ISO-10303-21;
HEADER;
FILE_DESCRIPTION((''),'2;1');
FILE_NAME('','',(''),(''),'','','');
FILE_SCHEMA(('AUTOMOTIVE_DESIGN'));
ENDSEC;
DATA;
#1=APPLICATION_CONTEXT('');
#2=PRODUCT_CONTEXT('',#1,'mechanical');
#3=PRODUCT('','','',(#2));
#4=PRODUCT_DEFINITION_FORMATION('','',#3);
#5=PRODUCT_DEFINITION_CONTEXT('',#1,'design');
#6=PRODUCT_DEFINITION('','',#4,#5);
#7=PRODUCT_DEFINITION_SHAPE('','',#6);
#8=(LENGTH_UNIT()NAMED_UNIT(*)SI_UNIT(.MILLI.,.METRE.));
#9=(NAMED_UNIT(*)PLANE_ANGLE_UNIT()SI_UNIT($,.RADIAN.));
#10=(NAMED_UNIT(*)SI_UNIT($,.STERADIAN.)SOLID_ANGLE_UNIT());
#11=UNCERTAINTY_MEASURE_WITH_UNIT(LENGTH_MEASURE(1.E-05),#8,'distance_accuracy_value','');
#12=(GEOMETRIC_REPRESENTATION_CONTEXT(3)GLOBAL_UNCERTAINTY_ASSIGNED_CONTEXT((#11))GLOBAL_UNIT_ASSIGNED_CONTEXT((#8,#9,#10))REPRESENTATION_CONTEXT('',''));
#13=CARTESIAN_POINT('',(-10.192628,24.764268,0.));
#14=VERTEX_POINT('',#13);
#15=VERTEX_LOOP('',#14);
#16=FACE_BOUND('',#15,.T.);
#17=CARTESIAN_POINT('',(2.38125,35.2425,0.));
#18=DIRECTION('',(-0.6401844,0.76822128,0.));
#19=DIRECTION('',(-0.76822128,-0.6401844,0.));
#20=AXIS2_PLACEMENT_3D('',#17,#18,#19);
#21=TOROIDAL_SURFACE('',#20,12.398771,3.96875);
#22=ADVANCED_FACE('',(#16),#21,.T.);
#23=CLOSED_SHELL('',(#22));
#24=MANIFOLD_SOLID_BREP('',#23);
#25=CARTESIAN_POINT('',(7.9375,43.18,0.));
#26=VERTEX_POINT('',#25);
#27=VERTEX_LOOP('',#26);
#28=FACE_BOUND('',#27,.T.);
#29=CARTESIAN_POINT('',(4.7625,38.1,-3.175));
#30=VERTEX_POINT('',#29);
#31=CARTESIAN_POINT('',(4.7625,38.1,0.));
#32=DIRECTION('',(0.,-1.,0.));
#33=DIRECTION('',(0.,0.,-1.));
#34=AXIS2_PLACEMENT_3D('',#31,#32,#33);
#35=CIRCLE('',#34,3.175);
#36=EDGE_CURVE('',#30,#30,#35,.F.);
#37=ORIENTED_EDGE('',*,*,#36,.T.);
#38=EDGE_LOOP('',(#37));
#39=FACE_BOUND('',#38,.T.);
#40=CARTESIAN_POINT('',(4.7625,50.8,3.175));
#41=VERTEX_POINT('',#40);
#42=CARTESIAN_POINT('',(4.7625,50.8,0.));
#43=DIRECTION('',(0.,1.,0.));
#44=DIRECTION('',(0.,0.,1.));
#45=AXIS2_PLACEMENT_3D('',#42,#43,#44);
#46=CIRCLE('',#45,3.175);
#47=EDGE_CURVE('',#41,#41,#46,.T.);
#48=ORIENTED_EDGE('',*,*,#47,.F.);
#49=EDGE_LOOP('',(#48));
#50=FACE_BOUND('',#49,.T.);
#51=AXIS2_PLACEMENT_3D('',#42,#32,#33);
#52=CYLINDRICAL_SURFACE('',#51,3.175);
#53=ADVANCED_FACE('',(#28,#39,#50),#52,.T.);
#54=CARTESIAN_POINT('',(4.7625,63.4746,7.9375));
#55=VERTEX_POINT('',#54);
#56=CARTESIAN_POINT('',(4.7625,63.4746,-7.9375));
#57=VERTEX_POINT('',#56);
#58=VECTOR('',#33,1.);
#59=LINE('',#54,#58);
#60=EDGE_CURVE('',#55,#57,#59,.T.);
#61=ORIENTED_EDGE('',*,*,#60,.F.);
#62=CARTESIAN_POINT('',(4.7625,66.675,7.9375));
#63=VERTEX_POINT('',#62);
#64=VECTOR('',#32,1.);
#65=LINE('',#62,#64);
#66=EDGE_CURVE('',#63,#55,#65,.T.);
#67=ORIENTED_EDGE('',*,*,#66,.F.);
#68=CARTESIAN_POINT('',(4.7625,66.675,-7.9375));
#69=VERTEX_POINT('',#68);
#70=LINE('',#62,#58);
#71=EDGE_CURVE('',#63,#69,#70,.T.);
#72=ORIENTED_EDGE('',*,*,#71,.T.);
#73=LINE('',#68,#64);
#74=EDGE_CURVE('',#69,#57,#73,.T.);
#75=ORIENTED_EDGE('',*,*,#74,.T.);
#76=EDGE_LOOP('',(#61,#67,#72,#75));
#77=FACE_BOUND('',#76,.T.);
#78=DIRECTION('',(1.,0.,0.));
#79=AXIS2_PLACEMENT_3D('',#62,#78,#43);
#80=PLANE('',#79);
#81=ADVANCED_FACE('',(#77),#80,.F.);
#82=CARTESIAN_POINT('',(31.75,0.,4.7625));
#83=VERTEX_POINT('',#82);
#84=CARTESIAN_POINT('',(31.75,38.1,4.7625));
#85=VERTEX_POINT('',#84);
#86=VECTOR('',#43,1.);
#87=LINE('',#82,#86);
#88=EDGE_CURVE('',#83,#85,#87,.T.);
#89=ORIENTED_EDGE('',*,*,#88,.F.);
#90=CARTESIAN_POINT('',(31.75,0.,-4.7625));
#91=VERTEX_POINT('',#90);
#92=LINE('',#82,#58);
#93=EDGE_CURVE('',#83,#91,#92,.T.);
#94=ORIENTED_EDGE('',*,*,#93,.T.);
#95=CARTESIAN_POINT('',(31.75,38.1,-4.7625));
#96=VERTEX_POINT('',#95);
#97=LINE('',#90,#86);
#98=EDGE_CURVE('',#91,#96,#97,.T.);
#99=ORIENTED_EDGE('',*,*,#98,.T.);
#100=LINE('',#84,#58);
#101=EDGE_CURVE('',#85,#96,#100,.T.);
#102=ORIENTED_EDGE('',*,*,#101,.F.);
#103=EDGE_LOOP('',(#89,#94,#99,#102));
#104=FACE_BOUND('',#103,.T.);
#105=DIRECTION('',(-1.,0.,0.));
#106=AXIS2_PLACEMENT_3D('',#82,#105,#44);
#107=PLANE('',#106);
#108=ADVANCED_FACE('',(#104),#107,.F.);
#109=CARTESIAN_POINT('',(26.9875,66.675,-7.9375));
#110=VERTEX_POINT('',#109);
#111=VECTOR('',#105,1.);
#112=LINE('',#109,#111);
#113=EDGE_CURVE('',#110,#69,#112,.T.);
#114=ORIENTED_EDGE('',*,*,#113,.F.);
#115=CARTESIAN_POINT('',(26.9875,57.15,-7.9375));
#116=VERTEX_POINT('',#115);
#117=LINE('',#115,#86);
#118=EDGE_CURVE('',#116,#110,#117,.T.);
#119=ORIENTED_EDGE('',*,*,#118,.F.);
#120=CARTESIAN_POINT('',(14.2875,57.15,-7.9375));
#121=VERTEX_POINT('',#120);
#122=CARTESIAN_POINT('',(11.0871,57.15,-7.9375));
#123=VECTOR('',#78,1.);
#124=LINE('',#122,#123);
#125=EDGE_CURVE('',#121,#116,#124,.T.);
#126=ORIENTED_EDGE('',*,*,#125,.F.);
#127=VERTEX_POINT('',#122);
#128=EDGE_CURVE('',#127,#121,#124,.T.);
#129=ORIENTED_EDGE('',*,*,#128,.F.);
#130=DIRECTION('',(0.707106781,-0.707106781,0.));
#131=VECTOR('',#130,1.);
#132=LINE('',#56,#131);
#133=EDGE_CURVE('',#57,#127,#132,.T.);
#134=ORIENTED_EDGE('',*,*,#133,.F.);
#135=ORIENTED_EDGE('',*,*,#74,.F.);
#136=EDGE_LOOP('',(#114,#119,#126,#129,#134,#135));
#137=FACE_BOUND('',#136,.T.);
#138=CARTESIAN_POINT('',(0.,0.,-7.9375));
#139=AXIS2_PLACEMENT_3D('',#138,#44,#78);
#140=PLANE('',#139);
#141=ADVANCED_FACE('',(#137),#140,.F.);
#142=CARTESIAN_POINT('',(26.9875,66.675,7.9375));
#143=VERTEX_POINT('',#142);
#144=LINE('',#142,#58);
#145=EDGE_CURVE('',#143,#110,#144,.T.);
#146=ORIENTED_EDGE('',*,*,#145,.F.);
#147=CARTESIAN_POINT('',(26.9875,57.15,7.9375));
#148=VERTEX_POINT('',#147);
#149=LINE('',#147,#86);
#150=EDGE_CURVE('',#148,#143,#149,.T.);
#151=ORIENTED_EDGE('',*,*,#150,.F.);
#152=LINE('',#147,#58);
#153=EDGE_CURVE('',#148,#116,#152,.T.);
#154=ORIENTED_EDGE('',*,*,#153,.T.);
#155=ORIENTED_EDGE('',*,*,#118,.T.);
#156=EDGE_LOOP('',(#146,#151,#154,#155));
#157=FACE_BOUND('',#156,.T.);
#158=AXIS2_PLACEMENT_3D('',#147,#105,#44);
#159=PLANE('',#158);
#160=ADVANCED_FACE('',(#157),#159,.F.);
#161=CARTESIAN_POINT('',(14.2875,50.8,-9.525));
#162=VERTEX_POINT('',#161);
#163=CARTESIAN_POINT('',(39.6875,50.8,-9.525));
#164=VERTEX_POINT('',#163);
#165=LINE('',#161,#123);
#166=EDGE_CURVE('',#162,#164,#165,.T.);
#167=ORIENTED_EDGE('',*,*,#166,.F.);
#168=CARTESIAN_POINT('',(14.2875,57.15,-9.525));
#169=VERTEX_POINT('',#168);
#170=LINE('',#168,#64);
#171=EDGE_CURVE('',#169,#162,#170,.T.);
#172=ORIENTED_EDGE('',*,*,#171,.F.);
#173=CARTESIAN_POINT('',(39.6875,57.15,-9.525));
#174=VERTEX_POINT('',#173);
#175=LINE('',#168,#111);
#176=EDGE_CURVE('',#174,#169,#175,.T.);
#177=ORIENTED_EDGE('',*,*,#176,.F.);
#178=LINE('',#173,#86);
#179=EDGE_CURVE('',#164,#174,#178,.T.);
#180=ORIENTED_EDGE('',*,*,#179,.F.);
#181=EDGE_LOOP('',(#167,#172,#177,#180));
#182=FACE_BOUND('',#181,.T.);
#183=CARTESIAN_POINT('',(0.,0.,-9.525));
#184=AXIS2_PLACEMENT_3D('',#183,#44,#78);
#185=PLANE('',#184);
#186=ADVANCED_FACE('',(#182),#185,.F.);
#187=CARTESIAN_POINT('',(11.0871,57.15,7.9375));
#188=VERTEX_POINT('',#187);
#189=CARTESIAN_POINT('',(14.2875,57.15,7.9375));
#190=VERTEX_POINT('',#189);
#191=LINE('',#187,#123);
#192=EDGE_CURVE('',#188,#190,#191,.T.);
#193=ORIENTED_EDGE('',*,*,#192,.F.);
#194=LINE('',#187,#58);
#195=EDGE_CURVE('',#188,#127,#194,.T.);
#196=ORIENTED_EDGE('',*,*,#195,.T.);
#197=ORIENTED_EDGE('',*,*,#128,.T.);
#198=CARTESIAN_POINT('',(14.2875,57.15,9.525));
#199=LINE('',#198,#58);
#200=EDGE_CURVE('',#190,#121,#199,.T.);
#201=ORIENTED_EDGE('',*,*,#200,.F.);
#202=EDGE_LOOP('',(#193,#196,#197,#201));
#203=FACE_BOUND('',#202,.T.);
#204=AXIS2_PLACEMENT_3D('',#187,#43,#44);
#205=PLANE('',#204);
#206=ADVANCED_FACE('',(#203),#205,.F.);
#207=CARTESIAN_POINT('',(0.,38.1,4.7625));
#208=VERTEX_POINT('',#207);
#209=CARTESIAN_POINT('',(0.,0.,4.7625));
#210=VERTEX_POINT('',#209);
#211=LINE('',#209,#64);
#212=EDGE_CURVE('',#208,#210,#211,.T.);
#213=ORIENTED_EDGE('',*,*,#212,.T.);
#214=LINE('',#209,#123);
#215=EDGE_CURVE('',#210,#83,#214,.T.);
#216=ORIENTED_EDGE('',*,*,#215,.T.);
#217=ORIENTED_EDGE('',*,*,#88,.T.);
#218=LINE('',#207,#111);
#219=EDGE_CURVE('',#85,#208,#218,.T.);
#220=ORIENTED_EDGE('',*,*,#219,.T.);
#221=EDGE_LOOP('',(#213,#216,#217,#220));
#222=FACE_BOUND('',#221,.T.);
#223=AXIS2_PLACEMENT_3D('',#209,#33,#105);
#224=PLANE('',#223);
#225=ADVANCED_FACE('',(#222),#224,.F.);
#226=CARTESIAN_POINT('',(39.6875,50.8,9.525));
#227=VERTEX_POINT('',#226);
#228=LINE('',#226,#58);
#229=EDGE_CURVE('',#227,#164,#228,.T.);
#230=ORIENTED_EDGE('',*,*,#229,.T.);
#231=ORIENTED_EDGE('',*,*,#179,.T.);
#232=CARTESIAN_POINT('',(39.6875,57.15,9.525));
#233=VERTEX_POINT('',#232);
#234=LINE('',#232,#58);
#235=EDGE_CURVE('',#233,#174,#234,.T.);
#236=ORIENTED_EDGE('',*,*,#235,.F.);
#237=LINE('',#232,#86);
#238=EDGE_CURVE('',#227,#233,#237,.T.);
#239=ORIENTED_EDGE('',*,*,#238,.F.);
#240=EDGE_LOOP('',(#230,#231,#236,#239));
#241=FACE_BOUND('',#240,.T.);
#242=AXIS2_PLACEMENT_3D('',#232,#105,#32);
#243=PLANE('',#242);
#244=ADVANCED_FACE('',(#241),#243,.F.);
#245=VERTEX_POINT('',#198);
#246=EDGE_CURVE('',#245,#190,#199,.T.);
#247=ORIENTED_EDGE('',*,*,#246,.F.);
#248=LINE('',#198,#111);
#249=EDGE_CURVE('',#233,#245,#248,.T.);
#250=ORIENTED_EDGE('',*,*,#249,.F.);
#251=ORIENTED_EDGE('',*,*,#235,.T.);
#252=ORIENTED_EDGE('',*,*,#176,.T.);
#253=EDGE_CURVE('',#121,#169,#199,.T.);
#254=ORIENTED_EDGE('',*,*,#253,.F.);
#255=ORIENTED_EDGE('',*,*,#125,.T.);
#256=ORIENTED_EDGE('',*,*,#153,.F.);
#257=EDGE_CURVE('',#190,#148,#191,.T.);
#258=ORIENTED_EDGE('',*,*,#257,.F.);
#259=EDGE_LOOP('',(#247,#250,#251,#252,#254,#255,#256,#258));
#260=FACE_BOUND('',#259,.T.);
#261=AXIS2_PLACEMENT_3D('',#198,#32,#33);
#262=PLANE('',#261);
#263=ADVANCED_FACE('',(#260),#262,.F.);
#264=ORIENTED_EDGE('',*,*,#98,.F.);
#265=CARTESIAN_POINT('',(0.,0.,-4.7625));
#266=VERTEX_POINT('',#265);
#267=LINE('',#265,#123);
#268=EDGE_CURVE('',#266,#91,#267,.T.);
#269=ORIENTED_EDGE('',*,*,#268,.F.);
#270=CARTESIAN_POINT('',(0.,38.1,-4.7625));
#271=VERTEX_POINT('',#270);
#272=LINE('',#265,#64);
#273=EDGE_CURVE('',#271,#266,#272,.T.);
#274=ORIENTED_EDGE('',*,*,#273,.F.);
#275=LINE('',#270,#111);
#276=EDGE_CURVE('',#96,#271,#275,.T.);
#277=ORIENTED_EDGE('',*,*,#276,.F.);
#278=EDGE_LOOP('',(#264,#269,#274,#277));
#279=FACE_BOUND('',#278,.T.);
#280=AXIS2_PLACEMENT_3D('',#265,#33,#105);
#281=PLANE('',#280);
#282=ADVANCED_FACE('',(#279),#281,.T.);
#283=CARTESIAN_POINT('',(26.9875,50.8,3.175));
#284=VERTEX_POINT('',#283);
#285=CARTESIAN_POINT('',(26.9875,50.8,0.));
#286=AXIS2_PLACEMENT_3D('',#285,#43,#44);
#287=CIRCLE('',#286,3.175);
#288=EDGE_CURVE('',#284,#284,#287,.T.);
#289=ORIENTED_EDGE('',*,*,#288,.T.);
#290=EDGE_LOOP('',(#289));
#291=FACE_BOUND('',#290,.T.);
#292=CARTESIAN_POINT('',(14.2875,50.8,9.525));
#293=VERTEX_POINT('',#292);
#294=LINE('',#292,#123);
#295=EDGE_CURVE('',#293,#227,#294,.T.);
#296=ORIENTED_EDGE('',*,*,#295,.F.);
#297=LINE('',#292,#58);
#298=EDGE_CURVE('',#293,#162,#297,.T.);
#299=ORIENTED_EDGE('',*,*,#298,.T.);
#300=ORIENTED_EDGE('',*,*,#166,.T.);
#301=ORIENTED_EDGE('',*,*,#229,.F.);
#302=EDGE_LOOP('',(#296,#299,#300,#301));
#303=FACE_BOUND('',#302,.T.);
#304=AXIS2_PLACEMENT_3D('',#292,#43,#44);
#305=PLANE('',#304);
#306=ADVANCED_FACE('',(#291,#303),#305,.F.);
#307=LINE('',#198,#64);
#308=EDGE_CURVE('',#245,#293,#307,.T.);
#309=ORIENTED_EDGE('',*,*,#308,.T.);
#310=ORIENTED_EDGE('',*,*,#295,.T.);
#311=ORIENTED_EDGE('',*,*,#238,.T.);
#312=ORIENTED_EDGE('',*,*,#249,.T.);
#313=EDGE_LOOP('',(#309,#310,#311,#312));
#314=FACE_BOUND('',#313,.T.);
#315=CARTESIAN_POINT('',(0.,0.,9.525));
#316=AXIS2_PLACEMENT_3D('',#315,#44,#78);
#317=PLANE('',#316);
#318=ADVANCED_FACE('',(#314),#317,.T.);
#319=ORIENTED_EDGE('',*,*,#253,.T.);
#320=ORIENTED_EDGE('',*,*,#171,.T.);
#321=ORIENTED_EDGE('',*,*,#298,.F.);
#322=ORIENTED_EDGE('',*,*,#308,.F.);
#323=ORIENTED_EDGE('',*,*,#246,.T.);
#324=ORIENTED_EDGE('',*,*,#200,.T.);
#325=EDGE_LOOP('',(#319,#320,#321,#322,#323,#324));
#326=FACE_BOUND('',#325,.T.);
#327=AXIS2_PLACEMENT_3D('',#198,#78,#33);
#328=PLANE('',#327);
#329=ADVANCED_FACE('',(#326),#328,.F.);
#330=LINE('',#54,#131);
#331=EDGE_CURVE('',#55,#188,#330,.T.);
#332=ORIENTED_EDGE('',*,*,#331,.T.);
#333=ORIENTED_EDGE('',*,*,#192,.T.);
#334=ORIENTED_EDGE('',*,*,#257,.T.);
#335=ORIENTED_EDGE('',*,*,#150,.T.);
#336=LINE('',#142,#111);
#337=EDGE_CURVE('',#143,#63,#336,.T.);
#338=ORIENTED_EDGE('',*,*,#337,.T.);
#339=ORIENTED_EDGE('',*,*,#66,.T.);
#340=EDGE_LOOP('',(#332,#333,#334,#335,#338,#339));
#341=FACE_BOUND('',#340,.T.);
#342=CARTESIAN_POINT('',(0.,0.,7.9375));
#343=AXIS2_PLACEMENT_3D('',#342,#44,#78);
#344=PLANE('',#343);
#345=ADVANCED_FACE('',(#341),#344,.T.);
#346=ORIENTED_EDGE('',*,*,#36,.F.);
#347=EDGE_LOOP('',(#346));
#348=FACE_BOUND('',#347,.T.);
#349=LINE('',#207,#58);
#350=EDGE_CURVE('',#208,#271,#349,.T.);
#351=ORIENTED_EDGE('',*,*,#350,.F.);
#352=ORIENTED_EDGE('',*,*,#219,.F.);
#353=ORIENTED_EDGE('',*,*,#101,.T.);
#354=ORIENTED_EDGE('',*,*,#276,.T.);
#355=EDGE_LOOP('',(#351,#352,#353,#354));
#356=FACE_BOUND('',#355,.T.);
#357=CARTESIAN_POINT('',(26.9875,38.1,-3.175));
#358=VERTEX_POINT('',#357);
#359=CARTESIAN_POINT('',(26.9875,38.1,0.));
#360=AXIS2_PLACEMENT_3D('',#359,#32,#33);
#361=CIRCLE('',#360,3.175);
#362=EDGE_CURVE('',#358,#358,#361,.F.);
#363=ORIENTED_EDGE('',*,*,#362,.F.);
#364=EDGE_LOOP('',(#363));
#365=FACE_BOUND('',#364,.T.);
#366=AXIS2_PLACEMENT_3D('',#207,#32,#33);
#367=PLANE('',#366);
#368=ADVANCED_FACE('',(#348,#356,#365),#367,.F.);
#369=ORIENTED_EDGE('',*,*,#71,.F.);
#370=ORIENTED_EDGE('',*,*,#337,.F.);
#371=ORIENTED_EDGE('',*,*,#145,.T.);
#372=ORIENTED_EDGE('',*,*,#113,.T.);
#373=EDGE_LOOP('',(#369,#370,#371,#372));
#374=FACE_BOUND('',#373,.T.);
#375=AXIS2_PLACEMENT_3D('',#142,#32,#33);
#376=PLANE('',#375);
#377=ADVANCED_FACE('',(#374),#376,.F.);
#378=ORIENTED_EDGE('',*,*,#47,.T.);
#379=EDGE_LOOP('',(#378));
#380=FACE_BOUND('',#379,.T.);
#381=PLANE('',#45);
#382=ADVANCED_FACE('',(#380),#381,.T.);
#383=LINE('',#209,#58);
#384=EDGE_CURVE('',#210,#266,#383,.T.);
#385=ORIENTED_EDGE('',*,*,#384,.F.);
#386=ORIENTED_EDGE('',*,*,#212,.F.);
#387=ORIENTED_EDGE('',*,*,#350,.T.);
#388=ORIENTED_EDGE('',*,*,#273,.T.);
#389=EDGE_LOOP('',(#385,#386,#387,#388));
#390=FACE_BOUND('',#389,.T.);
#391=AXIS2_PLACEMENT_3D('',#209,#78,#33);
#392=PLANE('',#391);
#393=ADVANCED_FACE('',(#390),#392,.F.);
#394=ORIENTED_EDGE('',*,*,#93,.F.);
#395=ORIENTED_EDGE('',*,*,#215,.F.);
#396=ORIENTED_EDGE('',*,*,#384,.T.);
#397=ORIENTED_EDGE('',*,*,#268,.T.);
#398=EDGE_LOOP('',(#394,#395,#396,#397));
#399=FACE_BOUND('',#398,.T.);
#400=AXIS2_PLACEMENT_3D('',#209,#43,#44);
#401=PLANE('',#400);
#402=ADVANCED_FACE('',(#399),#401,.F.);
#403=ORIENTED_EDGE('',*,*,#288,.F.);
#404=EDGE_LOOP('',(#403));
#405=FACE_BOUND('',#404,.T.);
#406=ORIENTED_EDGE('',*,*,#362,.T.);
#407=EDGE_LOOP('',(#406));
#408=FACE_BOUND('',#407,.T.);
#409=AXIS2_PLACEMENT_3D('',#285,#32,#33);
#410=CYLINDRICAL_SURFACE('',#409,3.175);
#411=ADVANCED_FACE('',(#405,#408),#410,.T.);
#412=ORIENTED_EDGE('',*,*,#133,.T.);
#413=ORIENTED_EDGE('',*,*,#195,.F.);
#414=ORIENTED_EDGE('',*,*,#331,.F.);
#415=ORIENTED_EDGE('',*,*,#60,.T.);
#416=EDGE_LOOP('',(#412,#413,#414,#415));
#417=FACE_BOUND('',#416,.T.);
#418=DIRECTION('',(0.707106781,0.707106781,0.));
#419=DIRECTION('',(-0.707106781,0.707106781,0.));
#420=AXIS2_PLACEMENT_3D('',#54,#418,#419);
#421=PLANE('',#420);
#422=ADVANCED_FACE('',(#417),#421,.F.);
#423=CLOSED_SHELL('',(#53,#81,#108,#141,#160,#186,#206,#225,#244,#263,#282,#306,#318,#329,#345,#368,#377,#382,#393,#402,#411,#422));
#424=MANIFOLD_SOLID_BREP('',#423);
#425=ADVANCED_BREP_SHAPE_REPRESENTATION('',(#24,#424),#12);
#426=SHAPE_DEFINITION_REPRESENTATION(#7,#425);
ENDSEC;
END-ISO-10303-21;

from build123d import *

# Parameters (mm, degrees)
SKETCH1_W           = 31.75
SKETCH1_H           = 38.1
BOSS_EXTRUDE1_DEPTH = 4.7625
SKETCH2_R           = 3.175
BOSS_EXTRUDE2_DEPTH = 12.7
SKETCH3_W           = 25.4
SKETCH3_H           = 6.35
BOSS_EXTRUDE3_DEPTH = 9.525
BOSS_EXTRUDE4_DEPTH = 7.9375
SKETCH5_R           = 3.96875


with BuildPart() as part:
    # Sketch1 → Boss-Extrude1 (new, symmetric)
    with BuildSketch(Plane.XY):
        with Locations((15.875, 19.05)):
            Rectangle(SKETCH1_W, SKETCH1_H)
    extrude(amount=BOSS_EXTRUDE1_DEPTH, both=True)

    # Sketch2 → Boss-Extrude2 (add, symmetric)
    with BuildSketch(Plane(origin=(0, 38.1, 0), x_dir=(1, 0, 0), z_dir=(0, 1, 0))):
        with Locations(Location((4.7625, 0, 0), (0, 0, 90))):
            Circle(SKETCH2_R)
        with Locations(Location((26.9875, 0, 0), (0, 0, 90))):
            Circle(SKETCH2_R)
    extrude(amount=BOSS_EXTRUDE2_DEPTH, both=True)

    # Sketch3 → Boss-Extrude3 (add, symmetric)
    with BuildSketch(Plane.XY):
        with Locations((26.9875, 53.975)):
            Rectangle(SKETCH3_W, SKETCH3_H)
    extrude(amount=BOSS_EXTRUDE3_DEPTH, both=True)

    # Sketch4 → Boss-Extrude4 (add, symmetric)
    with BuildSketch(Plane.XY):
        Polygon((26.9875, 57.15), (26.9875, 66.675), (4.7625, 66.675), (4.7625, 63.4746), (11.0871, 57.15), align=None)
    extrude(amount=BOSS_EXTRUDE4_DEPTH, both=True)


with BuildPart() as body_2:
    # Sketch5 → Revolve1 (revolve)
    with BuildSketch(Plane.XY, mode=Mode.PRIVATE) as revolve1_sk:
        with Locations((11.90625, 43.18)):
            Circle(SKETCH5_R)
    revolve(revolve1_sk.sketch.rotate(Axis((0, 38.1, 0), (0.6401843996644798, -0.768221279597376, 0)), 180), axis=Axis((0, 38.1, 0), (0.6401843996644798, -0.768221279597376, 0)))


solid = Compound([part.part, body_2.part])
